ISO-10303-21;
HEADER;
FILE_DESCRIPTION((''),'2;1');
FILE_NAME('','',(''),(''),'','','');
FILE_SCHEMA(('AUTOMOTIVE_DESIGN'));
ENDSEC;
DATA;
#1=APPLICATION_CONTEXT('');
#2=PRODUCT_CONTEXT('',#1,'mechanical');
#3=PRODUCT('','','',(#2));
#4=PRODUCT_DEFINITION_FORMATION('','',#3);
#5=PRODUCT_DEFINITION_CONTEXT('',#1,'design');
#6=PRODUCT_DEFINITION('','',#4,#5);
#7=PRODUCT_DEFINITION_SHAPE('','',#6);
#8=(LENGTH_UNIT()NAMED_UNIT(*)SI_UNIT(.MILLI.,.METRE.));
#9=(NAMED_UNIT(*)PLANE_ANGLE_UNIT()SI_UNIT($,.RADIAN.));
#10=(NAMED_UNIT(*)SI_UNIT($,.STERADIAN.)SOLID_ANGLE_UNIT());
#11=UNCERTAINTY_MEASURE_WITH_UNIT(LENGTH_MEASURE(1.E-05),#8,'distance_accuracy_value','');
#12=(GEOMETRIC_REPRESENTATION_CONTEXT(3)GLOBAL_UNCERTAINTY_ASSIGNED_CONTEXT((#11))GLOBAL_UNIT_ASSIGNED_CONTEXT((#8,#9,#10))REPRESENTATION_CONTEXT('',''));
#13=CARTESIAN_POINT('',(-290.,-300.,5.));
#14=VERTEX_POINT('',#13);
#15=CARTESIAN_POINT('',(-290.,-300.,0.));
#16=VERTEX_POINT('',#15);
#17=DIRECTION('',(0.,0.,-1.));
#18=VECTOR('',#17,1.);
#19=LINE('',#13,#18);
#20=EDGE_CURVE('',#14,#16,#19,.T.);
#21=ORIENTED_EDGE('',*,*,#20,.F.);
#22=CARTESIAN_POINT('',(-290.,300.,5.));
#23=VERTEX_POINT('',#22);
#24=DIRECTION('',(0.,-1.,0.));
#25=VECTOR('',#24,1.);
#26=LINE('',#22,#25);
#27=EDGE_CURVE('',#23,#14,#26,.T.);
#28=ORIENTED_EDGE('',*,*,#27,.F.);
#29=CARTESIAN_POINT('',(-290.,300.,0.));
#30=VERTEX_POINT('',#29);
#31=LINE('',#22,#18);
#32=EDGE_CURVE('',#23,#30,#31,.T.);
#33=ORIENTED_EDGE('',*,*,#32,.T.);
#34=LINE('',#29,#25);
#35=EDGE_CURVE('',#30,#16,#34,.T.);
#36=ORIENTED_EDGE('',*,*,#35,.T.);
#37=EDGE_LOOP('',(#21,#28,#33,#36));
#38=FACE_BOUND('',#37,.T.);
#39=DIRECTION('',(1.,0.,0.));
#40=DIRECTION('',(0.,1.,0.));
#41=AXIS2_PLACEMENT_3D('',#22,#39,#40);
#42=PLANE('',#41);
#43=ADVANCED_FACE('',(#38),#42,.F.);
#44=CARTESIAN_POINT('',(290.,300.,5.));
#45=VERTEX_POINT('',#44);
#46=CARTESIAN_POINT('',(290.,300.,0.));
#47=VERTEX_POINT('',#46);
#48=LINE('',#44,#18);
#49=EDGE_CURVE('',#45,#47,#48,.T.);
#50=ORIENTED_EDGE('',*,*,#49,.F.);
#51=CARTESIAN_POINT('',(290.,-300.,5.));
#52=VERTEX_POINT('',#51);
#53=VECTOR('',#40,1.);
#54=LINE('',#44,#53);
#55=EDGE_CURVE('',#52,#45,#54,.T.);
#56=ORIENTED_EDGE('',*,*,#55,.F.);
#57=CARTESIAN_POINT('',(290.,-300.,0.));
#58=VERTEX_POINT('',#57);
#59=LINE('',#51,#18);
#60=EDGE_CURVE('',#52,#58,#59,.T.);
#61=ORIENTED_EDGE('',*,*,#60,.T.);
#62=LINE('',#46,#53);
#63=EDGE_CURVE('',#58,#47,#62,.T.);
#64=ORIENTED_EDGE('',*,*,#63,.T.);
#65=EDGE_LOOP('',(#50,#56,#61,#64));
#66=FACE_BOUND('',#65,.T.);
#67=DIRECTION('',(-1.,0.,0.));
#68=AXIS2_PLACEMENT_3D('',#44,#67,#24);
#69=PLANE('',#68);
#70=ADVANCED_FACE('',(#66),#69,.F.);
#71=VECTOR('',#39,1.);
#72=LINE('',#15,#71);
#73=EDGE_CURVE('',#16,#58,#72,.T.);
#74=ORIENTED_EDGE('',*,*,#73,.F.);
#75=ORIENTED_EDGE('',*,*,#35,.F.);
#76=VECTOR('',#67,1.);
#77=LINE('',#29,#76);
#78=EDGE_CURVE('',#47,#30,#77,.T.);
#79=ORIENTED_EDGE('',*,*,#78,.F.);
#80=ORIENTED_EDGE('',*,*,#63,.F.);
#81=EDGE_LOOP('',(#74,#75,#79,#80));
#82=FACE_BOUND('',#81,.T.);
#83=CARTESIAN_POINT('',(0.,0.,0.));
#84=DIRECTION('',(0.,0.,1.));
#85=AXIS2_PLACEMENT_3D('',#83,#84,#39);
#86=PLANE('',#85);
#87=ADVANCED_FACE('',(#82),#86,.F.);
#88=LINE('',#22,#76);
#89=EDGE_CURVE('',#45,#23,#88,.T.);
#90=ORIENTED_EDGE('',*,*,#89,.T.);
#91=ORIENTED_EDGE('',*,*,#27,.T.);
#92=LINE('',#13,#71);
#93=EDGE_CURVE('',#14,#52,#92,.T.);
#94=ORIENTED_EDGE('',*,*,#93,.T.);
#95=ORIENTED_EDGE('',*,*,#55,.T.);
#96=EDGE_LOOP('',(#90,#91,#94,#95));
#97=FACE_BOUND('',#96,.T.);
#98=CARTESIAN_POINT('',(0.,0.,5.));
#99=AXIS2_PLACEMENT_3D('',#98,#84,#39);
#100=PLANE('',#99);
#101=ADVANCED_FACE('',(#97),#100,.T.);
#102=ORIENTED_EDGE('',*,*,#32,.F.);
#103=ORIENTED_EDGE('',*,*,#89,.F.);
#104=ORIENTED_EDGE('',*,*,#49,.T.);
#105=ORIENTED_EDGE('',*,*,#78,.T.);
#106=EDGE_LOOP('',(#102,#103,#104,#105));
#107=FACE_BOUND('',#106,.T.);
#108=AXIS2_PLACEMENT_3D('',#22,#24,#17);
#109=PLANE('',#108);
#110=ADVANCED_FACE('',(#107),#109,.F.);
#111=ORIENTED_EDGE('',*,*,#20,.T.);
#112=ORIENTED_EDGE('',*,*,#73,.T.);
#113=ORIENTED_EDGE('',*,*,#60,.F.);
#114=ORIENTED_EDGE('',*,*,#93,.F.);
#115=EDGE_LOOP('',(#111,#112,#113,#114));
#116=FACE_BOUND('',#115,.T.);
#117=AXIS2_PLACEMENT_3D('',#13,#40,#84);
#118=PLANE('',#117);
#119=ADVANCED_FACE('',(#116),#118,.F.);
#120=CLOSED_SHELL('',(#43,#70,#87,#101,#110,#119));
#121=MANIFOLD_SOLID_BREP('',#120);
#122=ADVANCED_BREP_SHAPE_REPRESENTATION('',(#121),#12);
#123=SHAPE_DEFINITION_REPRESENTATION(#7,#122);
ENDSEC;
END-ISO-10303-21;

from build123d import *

# Parameters (mm, degrees)
SKETCH1_W           = 580
SKETCH1_H           = 600
BOSS_EXTRUDE1_DEPTH = 5


with BuildPart() as part:
    # Sketch1 → Boss-Extrude1 (new body)
    with BuildSketch(Plane.XY):
        Rectangle(SKETCH1_W, SKETCH1_H)
    extrude(amount=BOSS_EXTRUDE1_DEPTH)


solid = part.part
